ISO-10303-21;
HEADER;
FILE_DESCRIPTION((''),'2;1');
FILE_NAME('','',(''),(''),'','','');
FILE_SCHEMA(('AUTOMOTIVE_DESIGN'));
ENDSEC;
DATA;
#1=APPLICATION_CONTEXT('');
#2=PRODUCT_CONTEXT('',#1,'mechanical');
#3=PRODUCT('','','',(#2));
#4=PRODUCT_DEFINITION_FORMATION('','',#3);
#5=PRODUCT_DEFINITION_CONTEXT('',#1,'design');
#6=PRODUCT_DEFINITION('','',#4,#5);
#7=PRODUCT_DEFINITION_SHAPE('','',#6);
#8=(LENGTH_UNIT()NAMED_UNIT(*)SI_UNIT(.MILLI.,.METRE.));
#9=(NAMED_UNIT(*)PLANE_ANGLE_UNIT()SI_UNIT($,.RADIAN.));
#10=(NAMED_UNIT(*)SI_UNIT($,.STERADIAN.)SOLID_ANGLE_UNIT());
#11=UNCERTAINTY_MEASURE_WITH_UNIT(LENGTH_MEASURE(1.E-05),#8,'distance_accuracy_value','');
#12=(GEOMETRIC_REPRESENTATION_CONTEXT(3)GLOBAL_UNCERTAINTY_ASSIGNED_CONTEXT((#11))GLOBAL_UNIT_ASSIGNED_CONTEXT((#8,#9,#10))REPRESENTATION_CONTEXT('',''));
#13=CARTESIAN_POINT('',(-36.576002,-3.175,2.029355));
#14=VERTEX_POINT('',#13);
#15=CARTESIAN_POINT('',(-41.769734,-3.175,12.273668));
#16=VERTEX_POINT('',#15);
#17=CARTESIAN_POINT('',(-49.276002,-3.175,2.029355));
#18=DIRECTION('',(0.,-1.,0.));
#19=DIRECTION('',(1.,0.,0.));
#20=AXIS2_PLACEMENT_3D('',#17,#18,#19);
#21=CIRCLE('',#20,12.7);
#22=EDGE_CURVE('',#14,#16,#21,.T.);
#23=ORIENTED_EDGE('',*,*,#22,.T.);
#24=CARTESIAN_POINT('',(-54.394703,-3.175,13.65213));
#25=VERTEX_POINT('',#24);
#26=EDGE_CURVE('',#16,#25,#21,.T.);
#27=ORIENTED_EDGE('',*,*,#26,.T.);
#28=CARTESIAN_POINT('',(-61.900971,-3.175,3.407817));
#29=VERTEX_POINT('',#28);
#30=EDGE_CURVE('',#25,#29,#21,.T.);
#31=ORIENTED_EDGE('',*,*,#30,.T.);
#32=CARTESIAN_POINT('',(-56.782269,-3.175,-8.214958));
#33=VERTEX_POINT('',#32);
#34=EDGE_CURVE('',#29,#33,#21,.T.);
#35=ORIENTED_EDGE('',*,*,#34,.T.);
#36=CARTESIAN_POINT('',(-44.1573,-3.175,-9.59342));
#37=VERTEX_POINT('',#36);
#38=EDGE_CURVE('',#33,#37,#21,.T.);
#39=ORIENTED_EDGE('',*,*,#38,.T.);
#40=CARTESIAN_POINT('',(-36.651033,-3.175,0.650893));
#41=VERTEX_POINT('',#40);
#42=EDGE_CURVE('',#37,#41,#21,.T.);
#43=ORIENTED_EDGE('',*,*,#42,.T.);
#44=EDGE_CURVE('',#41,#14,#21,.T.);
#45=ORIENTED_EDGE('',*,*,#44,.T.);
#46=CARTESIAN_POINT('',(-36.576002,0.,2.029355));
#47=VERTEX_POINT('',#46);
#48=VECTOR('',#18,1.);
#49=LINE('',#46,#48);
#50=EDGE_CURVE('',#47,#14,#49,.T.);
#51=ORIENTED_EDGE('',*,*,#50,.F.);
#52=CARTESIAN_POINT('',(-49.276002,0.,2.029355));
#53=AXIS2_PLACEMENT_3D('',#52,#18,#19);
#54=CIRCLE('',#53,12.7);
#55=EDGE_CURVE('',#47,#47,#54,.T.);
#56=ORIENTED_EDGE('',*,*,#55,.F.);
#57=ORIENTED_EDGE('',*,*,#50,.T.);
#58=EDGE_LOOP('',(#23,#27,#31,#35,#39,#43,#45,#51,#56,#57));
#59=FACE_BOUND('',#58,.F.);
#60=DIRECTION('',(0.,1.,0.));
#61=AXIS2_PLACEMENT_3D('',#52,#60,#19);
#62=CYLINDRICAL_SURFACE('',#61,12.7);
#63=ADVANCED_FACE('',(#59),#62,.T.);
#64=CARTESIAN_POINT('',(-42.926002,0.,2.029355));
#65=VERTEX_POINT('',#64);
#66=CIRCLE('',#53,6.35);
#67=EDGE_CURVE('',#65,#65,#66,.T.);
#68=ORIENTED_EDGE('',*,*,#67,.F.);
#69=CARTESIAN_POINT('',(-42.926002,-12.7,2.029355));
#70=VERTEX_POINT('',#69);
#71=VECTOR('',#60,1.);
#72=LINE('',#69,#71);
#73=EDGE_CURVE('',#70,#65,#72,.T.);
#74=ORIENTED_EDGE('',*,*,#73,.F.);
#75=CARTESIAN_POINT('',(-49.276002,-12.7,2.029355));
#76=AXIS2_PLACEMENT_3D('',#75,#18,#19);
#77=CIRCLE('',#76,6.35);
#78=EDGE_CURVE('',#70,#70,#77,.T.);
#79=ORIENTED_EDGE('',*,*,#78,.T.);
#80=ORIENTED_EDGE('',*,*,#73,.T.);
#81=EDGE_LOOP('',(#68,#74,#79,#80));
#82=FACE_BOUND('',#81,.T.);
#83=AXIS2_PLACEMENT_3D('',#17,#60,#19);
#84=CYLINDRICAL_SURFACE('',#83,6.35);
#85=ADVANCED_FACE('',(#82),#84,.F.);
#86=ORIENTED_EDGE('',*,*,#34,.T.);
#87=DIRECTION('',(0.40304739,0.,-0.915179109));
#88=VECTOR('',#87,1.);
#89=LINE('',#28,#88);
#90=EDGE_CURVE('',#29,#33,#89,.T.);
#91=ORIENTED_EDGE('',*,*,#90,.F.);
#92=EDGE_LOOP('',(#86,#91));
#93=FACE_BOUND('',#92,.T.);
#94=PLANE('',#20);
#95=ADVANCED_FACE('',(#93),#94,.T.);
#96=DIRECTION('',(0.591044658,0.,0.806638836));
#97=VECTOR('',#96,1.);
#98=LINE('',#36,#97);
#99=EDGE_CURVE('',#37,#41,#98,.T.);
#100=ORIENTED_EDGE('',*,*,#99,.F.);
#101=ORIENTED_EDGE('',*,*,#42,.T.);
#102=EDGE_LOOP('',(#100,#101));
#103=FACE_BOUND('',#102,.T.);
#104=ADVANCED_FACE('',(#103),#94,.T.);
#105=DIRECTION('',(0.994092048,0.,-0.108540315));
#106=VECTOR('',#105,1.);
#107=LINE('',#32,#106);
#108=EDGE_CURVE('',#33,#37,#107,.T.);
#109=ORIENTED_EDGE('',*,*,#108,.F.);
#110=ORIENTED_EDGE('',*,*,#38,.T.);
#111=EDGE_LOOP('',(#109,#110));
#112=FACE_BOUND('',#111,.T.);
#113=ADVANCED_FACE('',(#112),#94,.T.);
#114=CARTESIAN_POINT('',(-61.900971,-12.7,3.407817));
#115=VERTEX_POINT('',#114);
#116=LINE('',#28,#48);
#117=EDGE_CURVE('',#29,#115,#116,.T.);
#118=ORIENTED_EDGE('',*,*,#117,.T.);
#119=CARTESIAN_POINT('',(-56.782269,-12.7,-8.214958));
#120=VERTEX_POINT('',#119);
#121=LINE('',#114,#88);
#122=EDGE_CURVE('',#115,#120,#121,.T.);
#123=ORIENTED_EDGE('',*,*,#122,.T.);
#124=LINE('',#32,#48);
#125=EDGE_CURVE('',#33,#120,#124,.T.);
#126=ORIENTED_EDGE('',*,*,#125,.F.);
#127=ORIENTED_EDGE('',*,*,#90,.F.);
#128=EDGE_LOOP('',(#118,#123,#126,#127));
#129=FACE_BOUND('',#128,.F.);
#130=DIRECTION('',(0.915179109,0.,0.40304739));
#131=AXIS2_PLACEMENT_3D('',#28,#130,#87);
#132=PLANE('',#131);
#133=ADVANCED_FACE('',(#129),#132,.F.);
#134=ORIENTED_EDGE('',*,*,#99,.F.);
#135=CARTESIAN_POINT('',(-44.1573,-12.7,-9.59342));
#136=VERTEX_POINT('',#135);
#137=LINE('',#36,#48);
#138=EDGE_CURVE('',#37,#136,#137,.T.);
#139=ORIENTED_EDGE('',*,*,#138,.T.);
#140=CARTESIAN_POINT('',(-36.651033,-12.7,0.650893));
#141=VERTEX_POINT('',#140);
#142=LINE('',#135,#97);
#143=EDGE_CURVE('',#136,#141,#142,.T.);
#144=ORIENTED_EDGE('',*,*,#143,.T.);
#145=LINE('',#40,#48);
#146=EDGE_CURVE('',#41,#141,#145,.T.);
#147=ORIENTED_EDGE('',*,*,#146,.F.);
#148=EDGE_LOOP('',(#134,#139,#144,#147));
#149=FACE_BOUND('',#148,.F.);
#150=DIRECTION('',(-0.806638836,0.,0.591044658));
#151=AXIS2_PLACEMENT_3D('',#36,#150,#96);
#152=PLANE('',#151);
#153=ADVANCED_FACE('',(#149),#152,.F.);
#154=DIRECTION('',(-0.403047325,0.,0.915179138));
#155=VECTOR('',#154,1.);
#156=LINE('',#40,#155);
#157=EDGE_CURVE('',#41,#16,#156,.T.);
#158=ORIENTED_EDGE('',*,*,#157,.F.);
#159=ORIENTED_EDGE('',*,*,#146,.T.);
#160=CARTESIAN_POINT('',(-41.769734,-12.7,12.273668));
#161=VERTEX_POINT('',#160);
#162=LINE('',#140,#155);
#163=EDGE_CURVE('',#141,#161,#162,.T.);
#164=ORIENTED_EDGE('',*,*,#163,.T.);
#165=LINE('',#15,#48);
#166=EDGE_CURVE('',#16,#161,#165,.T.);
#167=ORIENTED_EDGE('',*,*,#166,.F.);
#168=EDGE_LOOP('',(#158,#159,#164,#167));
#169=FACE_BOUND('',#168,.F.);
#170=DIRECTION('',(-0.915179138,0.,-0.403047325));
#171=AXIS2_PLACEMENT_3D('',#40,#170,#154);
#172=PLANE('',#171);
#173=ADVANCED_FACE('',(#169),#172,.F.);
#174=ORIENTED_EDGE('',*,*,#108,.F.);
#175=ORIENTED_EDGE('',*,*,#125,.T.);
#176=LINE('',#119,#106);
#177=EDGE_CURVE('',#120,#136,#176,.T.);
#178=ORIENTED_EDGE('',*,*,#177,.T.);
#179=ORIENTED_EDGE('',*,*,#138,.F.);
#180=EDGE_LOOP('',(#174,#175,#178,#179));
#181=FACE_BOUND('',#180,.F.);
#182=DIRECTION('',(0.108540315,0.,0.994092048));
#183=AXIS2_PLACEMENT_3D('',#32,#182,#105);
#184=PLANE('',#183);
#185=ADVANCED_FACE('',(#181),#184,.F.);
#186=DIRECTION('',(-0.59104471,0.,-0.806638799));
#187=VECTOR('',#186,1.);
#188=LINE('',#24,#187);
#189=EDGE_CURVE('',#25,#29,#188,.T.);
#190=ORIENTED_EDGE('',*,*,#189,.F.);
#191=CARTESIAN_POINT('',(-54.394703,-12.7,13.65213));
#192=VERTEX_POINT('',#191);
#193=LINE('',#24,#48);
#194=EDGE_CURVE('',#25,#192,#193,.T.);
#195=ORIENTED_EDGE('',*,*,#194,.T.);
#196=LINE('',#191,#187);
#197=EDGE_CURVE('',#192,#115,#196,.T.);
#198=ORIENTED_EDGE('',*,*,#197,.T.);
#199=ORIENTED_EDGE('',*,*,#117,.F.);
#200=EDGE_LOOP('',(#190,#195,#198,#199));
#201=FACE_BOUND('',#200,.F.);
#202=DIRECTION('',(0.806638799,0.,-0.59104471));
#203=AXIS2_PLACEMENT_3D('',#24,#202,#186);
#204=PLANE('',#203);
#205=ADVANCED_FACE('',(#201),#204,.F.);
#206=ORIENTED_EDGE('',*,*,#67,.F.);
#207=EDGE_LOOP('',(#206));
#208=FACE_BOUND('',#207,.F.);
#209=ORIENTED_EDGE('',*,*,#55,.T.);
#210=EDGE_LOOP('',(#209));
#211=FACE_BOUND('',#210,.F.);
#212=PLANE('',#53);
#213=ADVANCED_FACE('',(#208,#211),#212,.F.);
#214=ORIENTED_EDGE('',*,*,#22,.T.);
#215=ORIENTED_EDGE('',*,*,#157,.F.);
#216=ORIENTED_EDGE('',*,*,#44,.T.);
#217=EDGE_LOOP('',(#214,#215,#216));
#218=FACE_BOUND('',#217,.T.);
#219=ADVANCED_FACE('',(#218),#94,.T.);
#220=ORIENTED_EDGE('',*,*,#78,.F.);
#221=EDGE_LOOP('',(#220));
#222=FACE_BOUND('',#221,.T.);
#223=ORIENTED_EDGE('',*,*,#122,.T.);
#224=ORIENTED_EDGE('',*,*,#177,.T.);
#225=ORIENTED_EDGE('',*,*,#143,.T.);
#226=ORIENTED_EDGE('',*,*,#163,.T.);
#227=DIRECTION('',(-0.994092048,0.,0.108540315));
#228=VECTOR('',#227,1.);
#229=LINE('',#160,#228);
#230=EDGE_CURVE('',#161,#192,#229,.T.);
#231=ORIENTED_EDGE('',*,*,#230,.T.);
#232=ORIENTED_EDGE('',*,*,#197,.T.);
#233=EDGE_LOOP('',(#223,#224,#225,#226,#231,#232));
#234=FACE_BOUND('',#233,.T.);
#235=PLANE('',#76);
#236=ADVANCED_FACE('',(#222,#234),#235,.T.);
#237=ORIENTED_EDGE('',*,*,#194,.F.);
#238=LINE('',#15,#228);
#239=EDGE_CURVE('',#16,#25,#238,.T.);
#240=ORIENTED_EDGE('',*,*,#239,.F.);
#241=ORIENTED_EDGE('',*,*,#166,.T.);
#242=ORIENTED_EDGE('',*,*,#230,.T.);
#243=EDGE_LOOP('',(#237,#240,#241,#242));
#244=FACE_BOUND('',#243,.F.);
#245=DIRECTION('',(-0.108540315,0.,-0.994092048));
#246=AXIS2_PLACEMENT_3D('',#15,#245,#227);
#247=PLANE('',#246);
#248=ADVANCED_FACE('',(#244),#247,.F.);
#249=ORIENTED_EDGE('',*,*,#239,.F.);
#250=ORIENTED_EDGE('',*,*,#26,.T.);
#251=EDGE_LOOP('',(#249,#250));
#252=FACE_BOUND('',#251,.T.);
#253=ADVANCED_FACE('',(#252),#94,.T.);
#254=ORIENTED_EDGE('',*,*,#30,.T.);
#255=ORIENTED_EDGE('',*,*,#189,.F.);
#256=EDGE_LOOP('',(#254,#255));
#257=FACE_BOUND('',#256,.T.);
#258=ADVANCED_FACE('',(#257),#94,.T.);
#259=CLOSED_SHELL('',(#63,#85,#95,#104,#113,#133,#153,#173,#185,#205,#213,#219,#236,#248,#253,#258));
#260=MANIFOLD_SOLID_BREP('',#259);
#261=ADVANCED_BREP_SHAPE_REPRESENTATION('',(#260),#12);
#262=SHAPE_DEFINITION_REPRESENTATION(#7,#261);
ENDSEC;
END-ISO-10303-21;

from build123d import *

# Parameters (mm, degrees)
F0_R     = 12.7
F0_R_2   = 6.35
F1_DEPTH = 3.175
F2_R     = 6.35
F3_DEPTH = 9.525


with BuildPart() as f1:
    # F0 (on Front) → F1 (new body)
    with BuildSketch(Plane.XZ):
        with Locations((-49.276002, 2.029355)):
            Circle(F0_R)
        with Locations((-49.276002, 2.029355)):
            Circle(F0_R_2, mode=Mode.SUBTRACT)
    extrude(amount=F1_DEPTH)

    # F2 (on face) → F3 (join)
    with BuildSketch(Plane.XZ.offset(3.175)):
        Polygon((-36.651033, 0.650893), (-41.769734, 12.273668), (-54.394703, 13.65213), (-61.900971, 3.407817), (-56.782269, -8.214958), (-44.1573, -9.59342), align=None)
        with Locations((-49.276002, 2.029355)):
            Circle(F2_R, mode=Mode.SUBTRACT)
    extrude(amount=F3_DEPTH)


solid = f1.part
